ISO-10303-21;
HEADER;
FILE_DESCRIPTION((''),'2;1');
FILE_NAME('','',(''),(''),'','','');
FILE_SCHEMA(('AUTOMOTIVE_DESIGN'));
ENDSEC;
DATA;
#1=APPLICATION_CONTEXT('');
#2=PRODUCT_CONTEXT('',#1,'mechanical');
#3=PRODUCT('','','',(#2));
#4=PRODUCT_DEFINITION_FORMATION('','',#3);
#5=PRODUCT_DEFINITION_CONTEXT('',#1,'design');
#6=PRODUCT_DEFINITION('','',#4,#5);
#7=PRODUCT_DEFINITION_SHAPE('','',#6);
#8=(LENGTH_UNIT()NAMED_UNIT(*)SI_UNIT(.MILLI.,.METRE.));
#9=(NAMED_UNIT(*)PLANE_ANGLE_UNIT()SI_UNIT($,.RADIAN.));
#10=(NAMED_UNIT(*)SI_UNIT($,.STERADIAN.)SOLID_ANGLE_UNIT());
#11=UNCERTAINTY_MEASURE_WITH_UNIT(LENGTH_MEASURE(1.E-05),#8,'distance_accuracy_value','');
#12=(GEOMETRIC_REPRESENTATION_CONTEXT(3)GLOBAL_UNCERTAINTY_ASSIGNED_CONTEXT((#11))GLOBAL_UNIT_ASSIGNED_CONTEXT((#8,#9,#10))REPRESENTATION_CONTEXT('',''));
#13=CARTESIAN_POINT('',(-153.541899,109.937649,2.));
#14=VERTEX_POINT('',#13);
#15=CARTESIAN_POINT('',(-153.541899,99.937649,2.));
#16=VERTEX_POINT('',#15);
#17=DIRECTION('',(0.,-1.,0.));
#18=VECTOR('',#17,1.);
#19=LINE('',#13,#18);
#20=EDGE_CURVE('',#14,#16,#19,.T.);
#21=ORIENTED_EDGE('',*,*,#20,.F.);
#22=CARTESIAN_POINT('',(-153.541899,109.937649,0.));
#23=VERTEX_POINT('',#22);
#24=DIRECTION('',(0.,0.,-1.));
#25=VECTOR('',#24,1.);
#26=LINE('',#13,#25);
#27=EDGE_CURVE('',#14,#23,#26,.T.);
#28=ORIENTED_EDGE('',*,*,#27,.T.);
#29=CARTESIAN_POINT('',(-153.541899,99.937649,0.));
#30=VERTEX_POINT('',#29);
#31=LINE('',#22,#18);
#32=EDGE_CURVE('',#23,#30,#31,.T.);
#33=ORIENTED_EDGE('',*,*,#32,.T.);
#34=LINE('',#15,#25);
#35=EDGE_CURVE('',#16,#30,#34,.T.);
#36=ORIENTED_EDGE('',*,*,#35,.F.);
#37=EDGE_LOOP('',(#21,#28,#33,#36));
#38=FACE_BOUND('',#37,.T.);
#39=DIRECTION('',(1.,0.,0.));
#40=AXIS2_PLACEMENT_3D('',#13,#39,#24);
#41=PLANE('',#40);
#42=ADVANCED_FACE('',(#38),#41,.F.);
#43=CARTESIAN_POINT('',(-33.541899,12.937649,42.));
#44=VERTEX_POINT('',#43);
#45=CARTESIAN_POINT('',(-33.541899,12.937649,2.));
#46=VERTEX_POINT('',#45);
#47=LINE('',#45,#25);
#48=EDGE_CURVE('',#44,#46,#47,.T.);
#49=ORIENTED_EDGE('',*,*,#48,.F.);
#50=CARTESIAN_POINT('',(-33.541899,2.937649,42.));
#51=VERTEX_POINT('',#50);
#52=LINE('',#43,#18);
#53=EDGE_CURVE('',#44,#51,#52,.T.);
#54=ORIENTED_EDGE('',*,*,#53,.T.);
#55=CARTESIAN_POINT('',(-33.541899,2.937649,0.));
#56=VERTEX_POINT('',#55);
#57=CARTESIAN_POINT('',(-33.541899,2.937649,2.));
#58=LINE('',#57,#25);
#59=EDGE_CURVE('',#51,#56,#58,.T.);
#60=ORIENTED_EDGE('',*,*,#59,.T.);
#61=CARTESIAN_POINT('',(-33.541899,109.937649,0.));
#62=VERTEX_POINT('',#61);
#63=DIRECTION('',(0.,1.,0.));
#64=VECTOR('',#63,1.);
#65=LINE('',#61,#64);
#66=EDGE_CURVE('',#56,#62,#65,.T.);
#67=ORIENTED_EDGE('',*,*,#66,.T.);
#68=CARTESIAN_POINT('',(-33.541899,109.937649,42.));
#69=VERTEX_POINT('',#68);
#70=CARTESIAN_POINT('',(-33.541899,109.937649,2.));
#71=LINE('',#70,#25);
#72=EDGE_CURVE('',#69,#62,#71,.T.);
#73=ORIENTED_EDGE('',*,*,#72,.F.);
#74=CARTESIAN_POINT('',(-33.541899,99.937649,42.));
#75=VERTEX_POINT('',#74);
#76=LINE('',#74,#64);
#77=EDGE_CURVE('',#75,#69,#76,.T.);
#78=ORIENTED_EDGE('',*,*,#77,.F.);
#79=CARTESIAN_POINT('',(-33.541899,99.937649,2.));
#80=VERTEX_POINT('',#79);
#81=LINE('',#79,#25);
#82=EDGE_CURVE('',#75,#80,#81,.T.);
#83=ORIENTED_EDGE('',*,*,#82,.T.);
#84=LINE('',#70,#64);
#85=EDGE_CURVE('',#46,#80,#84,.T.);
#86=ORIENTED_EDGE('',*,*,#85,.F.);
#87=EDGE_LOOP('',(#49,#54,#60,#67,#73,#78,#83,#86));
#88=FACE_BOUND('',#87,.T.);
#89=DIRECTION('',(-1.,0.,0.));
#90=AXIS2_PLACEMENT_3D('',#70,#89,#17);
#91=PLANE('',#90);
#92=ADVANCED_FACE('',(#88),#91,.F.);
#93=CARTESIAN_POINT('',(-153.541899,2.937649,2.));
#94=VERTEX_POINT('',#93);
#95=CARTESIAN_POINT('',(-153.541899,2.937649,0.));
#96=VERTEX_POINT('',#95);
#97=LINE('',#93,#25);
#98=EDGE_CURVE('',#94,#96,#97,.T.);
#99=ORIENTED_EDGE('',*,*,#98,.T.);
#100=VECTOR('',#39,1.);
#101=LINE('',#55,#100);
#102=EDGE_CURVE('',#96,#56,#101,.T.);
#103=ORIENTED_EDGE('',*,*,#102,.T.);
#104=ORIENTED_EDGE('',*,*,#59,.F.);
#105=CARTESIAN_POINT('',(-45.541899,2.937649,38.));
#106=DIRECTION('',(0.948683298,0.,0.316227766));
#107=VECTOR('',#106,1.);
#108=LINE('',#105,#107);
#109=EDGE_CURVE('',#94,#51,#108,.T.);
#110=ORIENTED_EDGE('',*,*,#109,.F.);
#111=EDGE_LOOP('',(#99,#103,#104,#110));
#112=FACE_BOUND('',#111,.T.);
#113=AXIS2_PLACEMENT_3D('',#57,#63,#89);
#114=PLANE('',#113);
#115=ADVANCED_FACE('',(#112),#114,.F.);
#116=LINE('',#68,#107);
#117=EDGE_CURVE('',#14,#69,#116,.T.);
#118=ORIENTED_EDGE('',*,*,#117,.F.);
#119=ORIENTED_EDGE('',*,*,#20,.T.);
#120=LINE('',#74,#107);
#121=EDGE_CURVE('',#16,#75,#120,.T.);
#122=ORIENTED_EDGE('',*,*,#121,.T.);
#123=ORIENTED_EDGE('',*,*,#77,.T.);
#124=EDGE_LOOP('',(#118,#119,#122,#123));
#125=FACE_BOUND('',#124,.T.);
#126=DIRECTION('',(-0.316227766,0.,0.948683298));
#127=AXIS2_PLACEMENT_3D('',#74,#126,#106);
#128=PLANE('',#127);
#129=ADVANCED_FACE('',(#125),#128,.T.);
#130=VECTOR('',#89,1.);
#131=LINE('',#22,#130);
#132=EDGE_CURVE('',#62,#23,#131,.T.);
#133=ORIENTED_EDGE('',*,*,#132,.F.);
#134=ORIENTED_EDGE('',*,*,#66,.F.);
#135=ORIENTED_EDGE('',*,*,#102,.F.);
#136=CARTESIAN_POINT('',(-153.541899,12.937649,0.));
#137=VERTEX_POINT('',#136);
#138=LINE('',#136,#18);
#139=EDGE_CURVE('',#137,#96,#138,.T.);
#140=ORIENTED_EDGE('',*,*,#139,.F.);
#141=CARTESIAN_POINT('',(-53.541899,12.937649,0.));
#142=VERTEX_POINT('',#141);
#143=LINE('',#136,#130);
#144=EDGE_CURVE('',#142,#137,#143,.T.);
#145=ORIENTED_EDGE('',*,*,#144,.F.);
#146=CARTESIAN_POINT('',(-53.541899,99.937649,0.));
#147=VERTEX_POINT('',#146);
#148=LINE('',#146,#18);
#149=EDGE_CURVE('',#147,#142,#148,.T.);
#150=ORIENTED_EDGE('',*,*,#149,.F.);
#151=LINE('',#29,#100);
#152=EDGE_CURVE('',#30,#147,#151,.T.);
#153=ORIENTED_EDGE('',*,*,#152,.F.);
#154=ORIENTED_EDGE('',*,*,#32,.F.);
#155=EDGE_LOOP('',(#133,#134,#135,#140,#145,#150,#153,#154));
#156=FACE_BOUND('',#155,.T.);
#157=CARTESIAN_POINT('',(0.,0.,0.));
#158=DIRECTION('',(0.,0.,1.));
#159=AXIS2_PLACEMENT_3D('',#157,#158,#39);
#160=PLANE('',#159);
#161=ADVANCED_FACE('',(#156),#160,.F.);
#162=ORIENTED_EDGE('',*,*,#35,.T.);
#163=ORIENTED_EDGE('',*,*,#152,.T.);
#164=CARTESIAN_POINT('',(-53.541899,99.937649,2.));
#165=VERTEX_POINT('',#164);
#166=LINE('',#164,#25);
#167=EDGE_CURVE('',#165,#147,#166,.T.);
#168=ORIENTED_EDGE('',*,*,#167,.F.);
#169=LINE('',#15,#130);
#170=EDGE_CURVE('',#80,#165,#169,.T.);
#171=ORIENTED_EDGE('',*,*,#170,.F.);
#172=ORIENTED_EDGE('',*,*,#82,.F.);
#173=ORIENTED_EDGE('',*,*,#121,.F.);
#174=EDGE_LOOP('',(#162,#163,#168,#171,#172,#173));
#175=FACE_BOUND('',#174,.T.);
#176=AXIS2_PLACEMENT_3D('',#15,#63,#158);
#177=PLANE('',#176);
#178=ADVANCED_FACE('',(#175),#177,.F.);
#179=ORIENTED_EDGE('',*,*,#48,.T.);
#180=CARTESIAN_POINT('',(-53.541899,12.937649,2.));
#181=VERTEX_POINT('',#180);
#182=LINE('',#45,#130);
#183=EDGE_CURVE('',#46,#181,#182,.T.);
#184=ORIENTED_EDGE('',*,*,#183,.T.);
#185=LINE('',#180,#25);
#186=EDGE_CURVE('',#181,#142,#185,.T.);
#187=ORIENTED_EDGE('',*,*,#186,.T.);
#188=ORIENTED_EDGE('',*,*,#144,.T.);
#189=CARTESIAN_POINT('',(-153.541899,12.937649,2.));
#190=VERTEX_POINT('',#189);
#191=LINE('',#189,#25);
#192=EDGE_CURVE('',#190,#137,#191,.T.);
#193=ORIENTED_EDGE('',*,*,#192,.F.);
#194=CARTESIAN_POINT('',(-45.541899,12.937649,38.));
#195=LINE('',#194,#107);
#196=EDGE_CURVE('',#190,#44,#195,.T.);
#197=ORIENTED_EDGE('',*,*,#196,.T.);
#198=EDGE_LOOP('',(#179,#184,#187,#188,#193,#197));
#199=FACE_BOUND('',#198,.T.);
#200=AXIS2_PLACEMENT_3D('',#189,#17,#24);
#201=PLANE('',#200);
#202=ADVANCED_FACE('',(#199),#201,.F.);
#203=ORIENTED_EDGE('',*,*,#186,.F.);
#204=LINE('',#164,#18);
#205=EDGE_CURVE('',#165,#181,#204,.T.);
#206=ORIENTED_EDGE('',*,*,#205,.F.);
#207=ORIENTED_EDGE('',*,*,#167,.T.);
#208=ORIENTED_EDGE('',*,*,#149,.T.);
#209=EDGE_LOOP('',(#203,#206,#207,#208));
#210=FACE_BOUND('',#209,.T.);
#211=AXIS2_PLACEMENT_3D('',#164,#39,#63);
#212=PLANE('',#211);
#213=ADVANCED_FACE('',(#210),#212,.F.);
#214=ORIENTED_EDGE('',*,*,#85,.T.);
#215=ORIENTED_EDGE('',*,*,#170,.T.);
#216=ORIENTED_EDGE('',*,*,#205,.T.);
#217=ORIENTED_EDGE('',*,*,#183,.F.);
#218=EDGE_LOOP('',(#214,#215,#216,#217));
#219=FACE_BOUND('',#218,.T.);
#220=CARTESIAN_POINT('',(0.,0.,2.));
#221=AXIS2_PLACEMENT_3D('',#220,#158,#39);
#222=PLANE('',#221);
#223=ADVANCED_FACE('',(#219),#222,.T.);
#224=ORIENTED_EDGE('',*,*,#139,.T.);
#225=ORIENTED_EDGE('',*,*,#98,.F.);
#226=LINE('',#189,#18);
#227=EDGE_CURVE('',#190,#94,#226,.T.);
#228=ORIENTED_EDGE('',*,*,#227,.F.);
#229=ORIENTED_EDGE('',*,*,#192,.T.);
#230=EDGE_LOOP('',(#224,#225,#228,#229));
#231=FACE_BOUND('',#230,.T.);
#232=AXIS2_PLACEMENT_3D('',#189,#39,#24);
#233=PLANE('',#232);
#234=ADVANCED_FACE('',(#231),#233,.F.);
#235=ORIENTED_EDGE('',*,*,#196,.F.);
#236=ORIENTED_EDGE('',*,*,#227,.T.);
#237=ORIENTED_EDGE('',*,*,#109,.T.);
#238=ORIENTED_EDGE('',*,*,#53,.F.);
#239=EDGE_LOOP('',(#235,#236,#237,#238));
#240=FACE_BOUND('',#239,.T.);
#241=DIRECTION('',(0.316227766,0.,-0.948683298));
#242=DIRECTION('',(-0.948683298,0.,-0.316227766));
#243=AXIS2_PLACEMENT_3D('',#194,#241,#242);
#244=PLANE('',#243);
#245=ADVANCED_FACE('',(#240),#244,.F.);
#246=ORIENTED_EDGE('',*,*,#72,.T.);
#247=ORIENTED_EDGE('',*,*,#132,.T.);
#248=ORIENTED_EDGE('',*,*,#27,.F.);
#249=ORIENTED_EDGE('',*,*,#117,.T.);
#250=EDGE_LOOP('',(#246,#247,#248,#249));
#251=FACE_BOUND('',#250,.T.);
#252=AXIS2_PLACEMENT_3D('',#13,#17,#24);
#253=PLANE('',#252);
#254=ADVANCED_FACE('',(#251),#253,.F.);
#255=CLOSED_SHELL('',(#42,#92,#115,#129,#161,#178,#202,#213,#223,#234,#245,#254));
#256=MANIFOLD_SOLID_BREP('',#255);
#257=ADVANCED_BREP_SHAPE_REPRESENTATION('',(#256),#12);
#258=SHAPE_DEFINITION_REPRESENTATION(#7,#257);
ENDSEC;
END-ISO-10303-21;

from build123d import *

# Parameters (mm, degrees)
BOSS_EXTRUDE1_DEPTH = 2
BOSS_EXTRUDE2_DEPTH = 10
BOSS_EXTRUDE3_START = -107
BOSS_EXTRUDE3_DEPTH = 10


with BuildPart() as part:
    # Sketch1 → Boss-Extrude1 (new body)
    with BuildSketch(Plane.XY):
        Polygon((-33.541898883, 109.937648966), (-33.541898883, 2.937648966), (-153.541898883, 2.937648966), (-153.541898883, 12.937648966), (-53.541898883, 12.937648966), (-53.541898883, 99.937648966), (-153.541898883, 99.937648966), (-153.541898883, 109.937648966), align=None)
    extrude(amount=BOSS_EXTRUDE1_DEPTH)

    # Sketch2 → Boss-Extrude2 (add)
    with BuildSketch(Plane(origin=(0, 109.937648966, 0), x_dir=(1, 0, 0), z_dir=(0, 1, 0))):
        Polygon((-153.541898883, -2), (-33.541898883, -2), (-33.541898883, -42), align=None)
    extrude(amount=-BOSS_EXTRUDE2_DEPTH)

    # Sketch2<2> → Boss-Extrude3 (add)
    with BuildSketch(Plane(origin=(0, 109.937648966, 0), x_dir=(1, 0, 0), z_dir=(0, 1, 0)).offset(BOSS_EXTRUDE3_START)):
        Polygon((-153.541898883, -2), (-33.541898883, -2), (-33.541898883, -42), align=None)
    extrude(amount=BOSS_EXTRUDE3_DEPTH)


solid = part.part
